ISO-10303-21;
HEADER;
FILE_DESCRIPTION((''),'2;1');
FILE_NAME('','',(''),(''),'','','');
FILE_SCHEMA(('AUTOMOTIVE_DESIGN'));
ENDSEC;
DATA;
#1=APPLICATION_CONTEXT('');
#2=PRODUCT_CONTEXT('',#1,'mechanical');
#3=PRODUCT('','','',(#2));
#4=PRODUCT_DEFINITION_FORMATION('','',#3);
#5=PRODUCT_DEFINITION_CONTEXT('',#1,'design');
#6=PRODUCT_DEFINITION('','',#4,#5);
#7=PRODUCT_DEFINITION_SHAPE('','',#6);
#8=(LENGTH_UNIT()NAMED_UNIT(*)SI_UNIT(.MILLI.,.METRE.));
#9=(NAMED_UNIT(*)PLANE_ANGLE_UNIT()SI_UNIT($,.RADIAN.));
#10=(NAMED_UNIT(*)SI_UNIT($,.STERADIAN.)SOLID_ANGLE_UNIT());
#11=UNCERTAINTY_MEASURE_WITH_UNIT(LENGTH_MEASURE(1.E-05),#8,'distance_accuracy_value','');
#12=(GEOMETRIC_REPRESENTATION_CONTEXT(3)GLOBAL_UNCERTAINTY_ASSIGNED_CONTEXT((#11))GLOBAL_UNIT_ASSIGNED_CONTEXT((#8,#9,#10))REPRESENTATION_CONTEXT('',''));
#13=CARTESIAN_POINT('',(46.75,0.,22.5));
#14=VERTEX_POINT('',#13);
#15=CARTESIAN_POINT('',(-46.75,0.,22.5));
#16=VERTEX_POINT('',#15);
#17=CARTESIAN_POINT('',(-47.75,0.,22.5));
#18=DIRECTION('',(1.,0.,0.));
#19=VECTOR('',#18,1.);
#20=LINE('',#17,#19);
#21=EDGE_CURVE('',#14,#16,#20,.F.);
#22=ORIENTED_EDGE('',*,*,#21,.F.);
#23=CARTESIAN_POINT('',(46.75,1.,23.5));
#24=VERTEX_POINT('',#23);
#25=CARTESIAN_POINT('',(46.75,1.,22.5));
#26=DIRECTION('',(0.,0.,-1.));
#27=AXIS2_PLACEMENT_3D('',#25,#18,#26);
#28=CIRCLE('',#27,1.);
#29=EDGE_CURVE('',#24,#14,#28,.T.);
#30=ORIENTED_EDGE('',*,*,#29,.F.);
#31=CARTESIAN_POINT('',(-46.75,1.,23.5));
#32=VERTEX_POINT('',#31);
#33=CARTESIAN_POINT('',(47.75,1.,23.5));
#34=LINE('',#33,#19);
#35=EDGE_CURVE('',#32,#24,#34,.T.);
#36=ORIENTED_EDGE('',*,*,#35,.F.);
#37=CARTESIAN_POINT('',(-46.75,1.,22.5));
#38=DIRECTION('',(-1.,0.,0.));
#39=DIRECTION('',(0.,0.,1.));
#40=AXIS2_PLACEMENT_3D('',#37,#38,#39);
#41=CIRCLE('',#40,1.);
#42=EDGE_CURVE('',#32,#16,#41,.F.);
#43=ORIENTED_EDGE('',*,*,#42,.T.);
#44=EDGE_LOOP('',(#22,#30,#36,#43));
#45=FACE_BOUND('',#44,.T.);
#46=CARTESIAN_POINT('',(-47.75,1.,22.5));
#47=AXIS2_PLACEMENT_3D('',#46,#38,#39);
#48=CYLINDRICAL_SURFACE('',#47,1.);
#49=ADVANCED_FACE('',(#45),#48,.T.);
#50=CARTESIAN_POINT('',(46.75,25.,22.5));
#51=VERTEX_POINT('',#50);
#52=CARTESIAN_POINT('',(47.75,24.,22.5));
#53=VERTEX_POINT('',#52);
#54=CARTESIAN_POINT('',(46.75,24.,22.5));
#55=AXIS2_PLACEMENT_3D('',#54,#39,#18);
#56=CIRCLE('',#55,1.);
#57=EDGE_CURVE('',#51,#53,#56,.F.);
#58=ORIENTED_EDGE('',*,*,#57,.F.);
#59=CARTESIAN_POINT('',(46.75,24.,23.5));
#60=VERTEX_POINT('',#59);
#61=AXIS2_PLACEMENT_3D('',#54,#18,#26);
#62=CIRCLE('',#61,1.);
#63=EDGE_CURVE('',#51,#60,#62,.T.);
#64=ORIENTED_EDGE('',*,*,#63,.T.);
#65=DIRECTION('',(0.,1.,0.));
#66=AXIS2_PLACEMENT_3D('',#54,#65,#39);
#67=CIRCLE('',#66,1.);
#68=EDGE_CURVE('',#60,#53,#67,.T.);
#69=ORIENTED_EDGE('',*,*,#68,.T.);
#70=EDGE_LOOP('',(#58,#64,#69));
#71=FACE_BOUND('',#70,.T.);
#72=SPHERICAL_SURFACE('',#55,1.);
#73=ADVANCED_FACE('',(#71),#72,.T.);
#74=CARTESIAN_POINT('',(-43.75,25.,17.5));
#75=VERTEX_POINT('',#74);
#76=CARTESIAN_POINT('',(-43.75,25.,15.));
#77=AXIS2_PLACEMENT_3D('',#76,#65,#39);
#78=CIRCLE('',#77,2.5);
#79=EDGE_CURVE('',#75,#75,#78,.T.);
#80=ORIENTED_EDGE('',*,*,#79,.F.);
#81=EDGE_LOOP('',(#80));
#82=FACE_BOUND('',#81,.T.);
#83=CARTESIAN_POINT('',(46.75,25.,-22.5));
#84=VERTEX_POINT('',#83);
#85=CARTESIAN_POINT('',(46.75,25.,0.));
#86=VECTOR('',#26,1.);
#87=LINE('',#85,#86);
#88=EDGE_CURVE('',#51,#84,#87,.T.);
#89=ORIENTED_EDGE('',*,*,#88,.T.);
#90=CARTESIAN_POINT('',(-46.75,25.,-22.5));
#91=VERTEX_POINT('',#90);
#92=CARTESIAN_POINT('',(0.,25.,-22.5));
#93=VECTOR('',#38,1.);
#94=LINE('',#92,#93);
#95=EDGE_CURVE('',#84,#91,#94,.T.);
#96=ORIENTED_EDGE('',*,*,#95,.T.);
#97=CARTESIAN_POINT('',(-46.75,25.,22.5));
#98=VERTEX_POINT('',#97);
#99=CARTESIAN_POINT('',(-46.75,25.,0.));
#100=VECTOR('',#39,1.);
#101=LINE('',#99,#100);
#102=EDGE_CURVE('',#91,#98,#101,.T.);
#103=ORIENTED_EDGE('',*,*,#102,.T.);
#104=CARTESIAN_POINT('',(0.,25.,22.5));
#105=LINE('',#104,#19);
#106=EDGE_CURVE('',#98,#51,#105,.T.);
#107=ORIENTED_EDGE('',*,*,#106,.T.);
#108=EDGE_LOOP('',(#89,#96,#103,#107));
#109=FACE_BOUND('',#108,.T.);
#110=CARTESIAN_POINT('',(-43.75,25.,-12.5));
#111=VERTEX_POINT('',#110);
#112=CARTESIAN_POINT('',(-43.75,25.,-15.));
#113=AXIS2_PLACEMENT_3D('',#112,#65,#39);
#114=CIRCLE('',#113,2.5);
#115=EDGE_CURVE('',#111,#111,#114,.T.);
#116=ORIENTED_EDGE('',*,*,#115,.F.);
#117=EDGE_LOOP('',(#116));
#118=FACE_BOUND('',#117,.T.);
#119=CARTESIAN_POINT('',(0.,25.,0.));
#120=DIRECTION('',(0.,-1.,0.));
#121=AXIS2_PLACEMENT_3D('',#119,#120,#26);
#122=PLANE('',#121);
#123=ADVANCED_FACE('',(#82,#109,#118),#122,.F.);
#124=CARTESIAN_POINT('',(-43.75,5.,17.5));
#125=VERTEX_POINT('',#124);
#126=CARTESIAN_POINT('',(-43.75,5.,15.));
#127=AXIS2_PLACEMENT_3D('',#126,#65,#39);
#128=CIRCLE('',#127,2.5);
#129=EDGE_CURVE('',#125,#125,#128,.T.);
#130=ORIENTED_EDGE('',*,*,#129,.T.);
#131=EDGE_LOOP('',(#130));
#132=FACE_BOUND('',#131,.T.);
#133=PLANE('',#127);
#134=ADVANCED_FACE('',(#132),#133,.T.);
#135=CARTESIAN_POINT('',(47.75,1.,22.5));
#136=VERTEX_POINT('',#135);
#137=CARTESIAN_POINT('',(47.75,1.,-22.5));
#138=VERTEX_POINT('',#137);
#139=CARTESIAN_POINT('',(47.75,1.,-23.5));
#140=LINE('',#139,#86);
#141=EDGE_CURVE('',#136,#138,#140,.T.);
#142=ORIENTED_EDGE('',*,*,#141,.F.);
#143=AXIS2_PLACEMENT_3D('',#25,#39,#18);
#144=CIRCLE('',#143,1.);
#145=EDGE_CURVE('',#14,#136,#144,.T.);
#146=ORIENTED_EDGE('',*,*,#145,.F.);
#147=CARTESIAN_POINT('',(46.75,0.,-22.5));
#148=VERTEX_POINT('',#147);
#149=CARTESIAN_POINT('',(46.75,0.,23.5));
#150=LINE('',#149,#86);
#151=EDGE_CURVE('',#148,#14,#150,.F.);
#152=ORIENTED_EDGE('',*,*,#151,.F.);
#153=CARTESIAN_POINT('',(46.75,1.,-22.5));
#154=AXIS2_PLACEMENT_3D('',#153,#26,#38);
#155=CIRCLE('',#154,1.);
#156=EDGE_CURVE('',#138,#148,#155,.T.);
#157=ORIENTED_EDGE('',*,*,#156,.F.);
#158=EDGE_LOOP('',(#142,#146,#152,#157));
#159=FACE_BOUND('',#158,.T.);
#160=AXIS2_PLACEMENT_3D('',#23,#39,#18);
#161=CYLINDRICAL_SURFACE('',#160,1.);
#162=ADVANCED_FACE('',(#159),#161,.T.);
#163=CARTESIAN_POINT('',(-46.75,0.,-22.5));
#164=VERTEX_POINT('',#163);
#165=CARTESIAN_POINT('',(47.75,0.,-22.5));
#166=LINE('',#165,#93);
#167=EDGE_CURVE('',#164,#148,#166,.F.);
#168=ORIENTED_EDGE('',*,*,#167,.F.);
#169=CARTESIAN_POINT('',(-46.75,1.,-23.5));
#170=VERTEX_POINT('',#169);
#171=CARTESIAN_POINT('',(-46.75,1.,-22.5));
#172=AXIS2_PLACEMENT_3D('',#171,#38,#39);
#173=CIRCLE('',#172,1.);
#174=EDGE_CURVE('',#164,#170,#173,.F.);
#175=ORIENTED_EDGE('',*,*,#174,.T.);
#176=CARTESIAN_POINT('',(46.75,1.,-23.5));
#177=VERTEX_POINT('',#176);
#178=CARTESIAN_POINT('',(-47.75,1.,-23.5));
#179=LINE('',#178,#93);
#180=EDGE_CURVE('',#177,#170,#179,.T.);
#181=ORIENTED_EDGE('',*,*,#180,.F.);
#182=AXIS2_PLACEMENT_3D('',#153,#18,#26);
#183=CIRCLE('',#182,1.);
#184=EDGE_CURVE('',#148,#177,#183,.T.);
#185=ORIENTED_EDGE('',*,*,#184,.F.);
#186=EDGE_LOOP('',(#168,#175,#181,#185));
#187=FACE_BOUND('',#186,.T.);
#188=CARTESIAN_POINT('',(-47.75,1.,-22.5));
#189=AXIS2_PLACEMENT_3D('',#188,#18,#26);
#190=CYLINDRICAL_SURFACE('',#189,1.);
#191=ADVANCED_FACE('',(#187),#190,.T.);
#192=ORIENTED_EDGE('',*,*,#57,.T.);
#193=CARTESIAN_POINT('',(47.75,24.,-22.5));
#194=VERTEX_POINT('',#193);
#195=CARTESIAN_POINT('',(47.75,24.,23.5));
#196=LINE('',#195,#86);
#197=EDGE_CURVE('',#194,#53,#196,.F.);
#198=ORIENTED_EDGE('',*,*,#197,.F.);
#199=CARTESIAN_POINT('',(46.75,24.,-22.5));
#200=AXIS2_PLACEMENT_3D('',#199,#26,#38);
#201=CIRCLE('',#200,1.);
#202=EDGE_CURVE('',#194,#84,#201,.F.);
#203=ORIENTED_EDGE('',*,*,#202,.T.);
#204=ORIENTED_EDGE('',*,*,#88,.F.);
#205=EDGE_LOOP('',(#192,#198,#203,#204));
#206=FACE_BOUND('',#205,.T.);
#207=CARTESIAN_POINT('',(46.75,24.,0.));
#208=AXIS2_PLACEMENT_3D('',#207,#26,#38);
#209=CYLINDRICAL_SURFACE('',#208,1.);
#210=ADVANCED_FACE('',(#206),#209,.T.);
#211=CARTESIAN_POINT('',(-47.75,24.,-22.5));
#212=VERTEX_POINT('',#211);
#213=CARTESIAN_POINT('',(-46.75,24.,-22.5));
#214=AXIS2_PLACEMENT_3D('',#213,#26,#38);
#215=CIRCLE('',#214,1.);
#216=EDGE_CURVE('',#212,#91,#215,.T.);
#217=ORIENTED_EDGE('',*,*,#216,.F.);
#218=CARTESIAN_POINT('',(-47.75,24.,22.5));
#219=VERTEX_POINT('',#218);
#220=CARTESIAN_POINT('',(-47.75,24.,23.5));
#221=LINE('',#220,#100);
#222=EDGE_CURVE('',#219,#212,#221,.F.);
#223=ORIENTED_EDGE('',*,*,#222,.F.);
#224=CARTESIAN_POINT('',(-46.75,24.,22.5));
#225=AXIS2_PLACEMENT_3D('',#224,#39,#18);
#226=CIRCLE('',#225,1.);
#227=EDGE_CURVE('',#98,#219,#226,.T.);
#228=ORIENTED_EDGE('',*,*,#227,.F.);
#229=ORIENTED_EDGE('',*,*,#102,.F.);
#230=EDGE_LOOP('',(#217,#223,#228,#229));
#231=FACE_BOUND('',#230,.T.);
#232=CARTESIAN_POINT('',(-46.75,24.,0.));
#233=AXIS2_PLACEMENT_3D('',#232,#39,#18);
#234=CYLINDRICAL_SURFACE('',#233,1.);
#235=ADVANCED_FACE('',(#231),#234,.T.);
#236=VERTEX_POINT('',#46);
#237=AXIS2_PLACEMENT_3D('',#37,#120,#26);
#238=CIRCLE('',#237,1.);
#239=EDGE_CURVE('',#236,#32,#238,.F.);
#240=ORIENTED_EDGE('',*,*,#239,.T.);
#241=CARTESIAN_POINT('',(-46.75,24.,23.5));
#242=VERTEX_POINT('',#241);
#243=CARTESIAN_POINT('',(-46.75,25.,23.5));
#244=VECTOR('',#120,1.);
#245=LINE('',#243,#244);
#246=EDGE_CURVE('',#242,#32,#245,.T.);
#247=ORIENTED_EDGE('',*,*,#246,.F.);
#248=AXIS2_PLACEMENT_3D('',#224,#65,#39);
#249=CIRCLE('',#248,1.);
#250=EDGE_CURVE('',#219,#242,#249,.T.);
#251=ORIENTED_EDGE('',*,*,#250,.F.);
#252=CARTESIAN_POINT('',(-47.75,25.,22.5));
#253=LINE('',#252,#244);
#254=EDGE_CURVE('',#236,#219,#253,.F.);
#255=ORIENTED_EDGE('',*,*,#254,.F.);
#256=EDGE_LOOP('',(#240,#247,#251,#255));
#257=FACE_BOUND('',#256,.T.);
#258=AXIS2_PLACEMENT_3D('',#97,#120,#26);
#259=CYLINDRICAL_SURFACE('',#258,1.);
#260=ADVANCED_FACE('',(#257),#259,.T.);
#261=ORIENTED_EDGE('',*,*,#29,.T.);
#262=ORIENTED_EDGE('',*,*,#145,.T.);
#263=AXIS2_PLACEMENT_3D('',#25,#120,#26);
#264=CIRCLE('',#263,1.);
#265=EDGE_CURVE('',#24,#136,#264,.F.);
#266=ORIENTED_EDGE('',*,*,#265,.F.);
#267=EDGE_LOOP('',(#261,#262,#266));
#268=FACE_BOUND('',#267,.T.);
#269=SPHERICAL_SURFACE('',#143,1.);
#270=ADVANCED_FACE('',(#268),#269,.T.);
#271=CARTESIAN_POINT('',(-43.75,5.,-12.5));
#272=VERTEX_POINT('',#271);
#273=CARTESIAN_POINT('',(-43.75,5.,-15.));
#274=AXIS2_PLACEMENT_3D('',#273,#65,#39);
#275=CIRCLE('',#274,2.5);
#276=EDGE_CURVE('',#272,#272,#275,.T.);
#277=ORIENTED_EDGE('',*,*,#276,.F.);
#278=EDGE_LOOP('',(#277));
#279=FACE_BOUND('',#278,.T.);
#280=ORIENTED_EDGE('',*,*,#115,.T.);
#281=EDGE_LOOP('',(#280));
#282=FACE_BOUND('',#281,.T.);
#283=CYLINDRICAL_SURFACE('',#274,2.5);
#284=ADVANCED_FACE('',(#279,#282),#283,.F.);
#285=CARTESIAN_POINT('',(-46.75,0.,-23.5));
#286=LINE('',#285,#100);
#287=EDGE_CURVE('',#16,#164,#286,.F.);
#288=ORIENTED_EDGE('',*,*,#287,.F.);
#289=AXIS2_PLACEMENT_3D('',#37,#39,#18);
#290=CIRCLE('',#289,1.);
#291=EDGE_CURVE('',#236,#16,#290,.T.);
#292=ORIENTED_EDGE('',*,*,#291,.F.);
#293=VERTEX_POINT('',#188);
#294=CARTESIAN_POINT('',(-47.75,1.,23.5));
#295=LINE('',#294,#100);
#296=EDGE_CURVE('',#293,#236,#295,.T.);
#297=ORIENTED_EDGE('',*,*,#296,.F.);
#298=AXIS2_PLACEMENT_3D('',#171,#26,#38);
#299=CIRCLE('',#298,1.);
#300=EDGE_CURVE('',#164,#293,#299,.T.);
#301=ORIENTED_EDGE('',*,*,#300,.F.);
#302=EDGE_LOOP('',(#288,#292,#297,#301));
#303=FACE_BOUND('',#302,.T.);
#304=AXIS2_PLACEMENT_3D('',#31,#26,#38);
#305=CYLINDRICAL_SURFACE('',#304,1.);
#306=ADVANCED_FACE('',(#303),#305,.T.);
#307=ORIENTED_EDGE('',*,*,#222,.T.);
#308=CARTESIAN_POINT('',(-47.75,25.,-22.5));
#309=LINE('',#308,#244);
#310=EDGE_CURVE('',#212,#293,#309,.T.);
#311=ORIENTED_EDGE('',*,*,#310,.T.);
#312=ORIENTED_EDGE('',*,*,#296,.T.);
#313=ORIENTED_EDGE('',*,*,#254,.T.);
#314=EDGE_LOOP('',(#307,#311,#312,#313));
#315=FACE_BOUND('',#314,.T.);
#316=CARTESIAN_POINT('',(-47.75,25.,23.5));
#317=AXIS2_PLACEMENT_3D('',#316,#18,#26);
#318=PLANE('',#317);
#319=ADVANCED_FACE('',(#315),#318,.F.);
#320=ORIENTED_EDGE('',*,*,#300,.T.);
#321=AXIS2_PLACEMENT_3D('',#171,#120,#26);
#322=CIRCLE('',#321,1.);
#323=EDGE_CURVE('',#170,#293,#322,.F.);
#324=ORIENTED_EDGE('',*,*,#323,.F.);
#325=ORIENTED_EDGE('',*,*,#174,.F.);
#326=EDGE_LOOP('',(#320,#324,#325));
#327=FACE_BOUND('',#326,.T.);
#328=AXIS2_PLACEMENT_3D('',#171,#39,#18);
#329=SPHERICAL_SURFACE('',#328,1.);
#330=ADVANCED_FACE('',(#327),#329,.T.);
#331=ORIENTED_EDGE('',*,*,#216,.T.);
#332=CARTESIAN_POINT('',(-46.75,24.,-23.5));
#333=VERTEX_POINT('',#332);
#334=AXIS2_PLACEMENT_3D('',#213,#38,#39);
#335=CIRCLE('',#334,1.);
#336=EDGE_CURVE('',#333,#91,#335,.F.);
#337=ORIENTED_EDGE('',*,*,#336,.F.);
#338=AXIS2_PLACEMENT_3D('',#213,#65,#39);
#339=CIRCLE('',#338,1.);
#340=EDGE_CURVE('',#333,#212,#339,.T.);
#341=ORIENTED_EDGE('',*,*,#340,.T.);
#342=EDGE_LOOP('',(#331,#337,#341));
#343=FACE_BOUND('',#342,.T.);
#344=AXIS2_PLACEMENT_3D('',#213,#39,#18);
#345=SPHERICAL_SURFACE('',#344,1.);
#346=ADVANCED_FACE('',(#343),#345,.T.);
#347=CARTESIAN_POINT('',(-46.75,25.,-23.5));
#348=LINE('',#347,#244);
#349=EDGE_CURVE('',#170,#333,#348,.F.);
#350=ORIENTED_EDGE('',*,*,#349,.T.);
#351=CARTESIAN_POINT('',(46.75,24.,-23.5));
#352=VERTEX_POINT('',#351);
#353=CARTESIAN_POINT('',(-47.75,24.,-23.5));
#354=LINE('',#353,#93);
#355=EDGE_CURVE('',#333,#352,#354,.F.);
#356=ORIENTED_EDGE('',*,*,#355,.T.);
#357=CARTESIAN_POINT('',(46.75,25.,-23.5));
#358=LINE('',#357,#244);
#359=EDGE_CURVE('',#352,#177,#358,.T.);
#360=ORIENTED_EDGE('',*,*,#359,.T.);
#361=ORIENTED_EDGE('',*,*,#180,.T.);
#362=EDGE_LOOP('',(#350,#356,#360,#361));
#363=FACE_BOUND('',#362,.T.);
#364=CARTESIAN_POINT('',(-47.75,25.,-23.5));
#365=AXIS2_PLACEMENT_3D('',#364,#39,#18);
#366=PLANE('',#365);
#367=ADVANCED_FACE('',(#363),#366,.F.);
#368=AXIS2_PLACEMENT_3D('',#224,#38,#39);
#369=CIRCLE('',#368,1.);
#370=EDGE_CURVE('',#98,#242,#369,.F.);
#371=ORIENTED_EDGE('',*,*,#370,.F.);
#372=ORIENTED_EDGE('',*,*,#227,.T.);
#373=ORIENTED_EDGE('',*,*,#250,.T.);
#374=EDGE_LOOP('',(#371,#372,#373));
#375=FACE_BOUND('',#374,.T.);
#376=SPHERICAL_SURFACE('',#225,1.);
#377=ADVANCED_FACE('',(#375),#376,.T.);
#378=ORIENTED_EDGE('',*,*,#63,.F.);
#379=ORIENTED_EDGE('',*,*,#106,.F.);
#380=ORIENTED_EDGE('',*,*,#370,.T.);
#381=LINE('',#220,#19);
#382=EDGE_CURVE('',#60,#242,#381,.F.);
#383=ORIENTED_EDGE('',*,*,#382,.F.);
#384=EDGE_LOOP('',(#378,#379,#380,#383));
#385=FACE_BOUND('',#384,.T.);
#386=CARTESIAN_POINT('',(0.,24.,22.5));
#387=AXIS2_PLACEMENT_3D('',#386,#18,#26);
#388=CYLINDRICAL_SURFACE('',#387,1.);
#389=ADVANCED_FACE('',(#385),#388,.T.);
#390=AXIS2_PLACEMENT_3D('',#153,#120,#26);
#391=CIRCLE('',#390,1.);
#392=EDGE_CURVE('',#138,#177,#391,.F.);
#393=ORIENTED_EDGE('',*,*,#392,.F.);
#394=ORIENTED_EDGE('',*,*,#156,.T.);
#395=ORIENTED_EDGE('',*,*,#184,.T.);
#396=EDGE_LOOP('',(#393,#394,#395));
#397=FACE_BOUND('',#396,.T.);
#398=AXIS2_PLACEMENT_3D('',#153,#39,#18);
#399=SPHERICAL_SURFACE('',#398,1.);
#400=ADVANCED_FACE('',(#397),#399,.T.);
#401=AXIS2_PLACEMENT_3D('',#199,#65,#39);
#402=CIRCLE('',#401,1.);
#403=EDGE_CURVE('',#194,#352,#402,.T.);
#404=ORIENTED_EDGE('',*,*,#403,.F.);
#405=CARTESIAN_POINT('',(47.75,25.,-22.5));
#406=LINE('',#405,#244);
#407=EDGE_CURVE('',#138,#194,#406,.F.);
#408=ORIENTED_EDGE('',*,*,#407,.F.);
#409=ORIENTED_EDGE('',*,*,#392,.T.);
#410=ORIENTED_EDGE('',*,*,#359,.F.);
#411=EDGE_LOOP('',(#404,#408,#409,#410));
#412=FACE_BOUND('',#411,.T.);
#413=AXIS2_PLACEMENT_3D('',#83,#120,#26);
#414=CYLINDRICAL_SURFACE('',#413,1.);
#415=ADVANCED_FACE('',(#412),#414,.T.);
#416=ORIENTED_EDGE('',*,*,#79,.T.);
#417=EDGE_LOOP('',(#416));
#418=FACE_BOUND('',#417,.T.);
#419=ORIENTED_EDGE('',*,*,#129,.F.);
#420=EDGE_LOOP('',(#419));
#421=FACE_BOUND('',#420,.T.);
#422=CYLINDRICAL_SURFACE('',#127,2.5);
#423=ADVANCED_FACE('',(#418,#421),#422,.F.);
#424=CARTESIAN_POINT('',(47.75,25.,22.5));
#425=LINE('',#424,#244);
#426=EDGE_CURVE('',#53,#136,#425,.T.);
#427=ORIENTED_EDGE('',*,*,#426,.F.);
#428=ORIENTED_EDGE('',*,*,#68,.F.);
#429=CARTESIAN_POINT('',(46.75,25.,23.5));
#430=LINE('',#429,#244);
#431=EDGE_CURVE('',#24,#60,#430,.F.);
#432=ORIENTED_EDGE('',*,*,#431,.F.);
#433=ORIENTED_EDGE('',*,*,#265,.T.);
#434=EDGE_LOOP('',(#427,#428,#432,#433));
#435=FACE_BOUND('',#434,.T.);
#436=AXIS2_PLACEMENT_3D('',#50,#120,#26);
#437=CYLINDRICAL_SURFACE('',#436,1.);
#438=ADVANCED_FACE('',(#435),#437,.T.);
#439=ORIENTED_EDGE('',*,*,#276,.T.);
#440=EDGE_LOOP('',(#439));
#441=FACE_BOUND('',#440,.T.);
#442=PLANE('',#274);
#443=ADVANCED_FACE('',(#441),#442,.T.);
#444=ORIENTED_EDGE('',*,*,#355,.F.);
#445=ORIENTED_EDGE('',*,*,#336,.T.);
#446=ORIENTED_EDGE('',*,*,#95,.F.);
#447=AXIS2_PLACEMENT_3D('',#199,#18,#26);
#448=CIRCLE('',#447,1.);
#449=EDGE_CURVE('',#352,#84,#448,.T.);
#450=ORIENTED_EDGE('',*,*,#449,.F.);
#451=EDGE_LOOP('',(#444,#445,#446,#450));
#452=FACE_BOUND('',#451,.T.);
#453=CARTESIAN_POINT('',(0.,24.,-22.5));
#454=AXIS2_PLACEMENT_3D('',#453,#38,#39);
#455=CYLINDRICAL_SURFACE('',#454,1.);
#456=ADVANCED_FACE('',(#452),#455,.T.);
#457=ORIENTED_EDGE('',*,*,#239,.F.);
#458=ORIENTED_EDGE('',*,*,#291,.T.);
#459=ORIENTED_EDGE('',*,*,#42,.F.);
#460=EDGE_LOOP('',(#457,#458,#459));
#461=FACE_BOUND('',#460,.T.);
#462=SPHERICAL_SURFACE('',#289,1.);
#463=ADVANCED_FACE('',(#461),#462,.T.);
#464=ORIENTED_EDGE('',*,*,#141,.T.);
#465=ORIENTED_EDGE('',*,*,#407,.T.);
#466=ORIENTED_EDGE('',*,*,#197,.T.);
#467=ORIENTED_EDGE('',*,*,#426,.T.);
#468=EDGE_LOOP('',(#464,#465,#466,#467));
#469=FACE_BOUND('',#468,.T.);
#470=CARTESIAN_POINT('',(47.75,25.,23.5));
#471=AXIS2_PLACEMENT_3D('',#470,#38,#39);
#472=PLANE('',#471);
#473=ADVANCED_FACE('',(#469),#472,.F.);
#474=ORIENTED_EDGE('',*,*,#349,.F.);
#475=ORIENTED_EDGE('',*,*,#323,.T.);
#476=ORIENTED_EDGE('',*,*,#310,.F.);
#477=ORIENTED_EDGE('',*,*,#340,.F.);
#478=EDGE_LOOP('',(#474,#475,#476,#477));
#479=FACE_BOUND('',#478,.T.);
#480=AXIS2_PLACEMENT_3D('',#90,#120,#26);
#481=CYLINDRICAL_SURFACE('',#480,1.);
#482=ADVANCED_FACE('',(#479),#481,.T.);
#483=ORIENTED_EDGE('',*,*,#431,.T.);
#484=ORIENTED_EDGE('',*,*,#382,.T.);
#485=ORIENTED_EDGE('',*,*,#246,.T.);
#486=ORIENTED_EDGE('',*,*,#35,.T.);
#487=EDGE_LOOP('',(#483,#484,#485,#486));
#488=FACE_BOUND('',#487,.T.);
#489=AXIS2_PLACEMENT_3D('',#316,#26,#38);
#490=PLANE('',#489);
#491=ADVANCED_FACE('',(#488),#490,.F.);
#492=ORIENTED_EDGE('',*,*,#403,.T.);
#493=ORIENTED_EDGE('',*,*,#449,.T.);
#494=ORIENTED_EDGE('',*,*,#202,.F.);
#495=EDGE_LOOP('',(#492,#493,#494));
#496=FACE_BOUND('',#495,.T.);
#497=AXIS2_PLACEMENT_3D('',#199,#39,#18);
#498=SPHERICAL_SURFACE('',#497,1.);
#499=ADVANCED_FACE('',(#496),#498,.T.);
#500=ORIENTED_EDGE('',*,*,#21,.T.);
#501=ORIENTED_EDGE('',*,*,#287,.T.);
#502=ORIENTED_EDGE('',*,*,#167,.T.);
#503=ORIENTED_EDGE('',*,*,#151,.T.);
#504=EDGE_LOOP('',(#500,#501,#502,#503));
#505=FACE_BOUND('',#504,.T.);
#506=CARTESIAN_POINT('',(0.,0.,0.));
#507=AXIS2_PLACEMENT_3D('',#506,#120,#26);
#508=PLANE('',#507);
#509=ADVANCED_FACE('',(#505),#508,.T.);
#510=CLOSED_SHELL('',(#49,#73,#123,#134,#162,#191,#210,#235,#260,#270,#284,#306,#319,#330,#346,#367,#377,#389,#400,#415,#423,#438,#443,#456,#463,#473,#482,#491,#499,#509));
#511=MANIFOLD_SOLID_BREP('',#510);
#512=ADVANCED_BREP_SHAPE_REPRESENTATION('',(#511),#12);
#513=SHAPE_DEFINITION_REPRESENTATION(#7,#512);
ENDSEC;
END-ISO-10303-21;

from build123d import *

# Parameters (mm, degrees)
SKETCH1_W           = 95.5
SKETCH1_H           = 47
BOSS_EXTRUDE1_DEPTH = 25
SKETCH2_R           = 2.5
CUT_EXTRUDE1_DEPTH  = 20
FILLET1_R           = 1


with BuildPart() as part:
    # Sketch1 → Boss-Extrude1 (new body)
    with BuildSketch(Plane(origin=(0, 0, 0), x_dir=(1, 0, 0), z_dir=(0, 1, 0))):
        Rectangle(SKETCH1_W, SKETCH1_H)
    extrude(amount=BOSS_EXTRUDE1_DEPTH)

    # Sketch2 → Cut-Extrude1 (cut)
    with BuildSketch(Plane(origin=(0, 25, 0), x_dir=(1, 0, 0), z_dir=(0, 1, 0))):
        with Locations(Location((-43.75, 15, 0), (0, 0, 270))):
            Circle(SKETCH2_R)
        with Locations(Location((-43.75, -15, 0), (0, 0, 270))):
            Circle(SKETCH2_R)
    extrude(amount=-CUT_EXTRUDE1_DEPTH, mode=Mode.SUBTRACT)

    # Fillet1
    fillet1_edges = [part.edges().sort_by_distance(p)[0] for p in [
        (-47.75, 25, 0),
        (0, 25, 23.5),
        (47.75, 25, 0),
        (0, 0, 23.5),
        (-47.75, 0, 0),
        (0, 0, -23.5),
        (47.75, 0, 0),
        (47.75, 12.5, 23.5),
        (-47.75, 12.5, 23.5),
        (-47.75, 12.5, -23.5),
        (47.75, 12.5, -23.5),
        (0, 25, -23.5),
    ]]
    fillet(fillet1_edges, radius=FILLET1_R)


solid = part.part
